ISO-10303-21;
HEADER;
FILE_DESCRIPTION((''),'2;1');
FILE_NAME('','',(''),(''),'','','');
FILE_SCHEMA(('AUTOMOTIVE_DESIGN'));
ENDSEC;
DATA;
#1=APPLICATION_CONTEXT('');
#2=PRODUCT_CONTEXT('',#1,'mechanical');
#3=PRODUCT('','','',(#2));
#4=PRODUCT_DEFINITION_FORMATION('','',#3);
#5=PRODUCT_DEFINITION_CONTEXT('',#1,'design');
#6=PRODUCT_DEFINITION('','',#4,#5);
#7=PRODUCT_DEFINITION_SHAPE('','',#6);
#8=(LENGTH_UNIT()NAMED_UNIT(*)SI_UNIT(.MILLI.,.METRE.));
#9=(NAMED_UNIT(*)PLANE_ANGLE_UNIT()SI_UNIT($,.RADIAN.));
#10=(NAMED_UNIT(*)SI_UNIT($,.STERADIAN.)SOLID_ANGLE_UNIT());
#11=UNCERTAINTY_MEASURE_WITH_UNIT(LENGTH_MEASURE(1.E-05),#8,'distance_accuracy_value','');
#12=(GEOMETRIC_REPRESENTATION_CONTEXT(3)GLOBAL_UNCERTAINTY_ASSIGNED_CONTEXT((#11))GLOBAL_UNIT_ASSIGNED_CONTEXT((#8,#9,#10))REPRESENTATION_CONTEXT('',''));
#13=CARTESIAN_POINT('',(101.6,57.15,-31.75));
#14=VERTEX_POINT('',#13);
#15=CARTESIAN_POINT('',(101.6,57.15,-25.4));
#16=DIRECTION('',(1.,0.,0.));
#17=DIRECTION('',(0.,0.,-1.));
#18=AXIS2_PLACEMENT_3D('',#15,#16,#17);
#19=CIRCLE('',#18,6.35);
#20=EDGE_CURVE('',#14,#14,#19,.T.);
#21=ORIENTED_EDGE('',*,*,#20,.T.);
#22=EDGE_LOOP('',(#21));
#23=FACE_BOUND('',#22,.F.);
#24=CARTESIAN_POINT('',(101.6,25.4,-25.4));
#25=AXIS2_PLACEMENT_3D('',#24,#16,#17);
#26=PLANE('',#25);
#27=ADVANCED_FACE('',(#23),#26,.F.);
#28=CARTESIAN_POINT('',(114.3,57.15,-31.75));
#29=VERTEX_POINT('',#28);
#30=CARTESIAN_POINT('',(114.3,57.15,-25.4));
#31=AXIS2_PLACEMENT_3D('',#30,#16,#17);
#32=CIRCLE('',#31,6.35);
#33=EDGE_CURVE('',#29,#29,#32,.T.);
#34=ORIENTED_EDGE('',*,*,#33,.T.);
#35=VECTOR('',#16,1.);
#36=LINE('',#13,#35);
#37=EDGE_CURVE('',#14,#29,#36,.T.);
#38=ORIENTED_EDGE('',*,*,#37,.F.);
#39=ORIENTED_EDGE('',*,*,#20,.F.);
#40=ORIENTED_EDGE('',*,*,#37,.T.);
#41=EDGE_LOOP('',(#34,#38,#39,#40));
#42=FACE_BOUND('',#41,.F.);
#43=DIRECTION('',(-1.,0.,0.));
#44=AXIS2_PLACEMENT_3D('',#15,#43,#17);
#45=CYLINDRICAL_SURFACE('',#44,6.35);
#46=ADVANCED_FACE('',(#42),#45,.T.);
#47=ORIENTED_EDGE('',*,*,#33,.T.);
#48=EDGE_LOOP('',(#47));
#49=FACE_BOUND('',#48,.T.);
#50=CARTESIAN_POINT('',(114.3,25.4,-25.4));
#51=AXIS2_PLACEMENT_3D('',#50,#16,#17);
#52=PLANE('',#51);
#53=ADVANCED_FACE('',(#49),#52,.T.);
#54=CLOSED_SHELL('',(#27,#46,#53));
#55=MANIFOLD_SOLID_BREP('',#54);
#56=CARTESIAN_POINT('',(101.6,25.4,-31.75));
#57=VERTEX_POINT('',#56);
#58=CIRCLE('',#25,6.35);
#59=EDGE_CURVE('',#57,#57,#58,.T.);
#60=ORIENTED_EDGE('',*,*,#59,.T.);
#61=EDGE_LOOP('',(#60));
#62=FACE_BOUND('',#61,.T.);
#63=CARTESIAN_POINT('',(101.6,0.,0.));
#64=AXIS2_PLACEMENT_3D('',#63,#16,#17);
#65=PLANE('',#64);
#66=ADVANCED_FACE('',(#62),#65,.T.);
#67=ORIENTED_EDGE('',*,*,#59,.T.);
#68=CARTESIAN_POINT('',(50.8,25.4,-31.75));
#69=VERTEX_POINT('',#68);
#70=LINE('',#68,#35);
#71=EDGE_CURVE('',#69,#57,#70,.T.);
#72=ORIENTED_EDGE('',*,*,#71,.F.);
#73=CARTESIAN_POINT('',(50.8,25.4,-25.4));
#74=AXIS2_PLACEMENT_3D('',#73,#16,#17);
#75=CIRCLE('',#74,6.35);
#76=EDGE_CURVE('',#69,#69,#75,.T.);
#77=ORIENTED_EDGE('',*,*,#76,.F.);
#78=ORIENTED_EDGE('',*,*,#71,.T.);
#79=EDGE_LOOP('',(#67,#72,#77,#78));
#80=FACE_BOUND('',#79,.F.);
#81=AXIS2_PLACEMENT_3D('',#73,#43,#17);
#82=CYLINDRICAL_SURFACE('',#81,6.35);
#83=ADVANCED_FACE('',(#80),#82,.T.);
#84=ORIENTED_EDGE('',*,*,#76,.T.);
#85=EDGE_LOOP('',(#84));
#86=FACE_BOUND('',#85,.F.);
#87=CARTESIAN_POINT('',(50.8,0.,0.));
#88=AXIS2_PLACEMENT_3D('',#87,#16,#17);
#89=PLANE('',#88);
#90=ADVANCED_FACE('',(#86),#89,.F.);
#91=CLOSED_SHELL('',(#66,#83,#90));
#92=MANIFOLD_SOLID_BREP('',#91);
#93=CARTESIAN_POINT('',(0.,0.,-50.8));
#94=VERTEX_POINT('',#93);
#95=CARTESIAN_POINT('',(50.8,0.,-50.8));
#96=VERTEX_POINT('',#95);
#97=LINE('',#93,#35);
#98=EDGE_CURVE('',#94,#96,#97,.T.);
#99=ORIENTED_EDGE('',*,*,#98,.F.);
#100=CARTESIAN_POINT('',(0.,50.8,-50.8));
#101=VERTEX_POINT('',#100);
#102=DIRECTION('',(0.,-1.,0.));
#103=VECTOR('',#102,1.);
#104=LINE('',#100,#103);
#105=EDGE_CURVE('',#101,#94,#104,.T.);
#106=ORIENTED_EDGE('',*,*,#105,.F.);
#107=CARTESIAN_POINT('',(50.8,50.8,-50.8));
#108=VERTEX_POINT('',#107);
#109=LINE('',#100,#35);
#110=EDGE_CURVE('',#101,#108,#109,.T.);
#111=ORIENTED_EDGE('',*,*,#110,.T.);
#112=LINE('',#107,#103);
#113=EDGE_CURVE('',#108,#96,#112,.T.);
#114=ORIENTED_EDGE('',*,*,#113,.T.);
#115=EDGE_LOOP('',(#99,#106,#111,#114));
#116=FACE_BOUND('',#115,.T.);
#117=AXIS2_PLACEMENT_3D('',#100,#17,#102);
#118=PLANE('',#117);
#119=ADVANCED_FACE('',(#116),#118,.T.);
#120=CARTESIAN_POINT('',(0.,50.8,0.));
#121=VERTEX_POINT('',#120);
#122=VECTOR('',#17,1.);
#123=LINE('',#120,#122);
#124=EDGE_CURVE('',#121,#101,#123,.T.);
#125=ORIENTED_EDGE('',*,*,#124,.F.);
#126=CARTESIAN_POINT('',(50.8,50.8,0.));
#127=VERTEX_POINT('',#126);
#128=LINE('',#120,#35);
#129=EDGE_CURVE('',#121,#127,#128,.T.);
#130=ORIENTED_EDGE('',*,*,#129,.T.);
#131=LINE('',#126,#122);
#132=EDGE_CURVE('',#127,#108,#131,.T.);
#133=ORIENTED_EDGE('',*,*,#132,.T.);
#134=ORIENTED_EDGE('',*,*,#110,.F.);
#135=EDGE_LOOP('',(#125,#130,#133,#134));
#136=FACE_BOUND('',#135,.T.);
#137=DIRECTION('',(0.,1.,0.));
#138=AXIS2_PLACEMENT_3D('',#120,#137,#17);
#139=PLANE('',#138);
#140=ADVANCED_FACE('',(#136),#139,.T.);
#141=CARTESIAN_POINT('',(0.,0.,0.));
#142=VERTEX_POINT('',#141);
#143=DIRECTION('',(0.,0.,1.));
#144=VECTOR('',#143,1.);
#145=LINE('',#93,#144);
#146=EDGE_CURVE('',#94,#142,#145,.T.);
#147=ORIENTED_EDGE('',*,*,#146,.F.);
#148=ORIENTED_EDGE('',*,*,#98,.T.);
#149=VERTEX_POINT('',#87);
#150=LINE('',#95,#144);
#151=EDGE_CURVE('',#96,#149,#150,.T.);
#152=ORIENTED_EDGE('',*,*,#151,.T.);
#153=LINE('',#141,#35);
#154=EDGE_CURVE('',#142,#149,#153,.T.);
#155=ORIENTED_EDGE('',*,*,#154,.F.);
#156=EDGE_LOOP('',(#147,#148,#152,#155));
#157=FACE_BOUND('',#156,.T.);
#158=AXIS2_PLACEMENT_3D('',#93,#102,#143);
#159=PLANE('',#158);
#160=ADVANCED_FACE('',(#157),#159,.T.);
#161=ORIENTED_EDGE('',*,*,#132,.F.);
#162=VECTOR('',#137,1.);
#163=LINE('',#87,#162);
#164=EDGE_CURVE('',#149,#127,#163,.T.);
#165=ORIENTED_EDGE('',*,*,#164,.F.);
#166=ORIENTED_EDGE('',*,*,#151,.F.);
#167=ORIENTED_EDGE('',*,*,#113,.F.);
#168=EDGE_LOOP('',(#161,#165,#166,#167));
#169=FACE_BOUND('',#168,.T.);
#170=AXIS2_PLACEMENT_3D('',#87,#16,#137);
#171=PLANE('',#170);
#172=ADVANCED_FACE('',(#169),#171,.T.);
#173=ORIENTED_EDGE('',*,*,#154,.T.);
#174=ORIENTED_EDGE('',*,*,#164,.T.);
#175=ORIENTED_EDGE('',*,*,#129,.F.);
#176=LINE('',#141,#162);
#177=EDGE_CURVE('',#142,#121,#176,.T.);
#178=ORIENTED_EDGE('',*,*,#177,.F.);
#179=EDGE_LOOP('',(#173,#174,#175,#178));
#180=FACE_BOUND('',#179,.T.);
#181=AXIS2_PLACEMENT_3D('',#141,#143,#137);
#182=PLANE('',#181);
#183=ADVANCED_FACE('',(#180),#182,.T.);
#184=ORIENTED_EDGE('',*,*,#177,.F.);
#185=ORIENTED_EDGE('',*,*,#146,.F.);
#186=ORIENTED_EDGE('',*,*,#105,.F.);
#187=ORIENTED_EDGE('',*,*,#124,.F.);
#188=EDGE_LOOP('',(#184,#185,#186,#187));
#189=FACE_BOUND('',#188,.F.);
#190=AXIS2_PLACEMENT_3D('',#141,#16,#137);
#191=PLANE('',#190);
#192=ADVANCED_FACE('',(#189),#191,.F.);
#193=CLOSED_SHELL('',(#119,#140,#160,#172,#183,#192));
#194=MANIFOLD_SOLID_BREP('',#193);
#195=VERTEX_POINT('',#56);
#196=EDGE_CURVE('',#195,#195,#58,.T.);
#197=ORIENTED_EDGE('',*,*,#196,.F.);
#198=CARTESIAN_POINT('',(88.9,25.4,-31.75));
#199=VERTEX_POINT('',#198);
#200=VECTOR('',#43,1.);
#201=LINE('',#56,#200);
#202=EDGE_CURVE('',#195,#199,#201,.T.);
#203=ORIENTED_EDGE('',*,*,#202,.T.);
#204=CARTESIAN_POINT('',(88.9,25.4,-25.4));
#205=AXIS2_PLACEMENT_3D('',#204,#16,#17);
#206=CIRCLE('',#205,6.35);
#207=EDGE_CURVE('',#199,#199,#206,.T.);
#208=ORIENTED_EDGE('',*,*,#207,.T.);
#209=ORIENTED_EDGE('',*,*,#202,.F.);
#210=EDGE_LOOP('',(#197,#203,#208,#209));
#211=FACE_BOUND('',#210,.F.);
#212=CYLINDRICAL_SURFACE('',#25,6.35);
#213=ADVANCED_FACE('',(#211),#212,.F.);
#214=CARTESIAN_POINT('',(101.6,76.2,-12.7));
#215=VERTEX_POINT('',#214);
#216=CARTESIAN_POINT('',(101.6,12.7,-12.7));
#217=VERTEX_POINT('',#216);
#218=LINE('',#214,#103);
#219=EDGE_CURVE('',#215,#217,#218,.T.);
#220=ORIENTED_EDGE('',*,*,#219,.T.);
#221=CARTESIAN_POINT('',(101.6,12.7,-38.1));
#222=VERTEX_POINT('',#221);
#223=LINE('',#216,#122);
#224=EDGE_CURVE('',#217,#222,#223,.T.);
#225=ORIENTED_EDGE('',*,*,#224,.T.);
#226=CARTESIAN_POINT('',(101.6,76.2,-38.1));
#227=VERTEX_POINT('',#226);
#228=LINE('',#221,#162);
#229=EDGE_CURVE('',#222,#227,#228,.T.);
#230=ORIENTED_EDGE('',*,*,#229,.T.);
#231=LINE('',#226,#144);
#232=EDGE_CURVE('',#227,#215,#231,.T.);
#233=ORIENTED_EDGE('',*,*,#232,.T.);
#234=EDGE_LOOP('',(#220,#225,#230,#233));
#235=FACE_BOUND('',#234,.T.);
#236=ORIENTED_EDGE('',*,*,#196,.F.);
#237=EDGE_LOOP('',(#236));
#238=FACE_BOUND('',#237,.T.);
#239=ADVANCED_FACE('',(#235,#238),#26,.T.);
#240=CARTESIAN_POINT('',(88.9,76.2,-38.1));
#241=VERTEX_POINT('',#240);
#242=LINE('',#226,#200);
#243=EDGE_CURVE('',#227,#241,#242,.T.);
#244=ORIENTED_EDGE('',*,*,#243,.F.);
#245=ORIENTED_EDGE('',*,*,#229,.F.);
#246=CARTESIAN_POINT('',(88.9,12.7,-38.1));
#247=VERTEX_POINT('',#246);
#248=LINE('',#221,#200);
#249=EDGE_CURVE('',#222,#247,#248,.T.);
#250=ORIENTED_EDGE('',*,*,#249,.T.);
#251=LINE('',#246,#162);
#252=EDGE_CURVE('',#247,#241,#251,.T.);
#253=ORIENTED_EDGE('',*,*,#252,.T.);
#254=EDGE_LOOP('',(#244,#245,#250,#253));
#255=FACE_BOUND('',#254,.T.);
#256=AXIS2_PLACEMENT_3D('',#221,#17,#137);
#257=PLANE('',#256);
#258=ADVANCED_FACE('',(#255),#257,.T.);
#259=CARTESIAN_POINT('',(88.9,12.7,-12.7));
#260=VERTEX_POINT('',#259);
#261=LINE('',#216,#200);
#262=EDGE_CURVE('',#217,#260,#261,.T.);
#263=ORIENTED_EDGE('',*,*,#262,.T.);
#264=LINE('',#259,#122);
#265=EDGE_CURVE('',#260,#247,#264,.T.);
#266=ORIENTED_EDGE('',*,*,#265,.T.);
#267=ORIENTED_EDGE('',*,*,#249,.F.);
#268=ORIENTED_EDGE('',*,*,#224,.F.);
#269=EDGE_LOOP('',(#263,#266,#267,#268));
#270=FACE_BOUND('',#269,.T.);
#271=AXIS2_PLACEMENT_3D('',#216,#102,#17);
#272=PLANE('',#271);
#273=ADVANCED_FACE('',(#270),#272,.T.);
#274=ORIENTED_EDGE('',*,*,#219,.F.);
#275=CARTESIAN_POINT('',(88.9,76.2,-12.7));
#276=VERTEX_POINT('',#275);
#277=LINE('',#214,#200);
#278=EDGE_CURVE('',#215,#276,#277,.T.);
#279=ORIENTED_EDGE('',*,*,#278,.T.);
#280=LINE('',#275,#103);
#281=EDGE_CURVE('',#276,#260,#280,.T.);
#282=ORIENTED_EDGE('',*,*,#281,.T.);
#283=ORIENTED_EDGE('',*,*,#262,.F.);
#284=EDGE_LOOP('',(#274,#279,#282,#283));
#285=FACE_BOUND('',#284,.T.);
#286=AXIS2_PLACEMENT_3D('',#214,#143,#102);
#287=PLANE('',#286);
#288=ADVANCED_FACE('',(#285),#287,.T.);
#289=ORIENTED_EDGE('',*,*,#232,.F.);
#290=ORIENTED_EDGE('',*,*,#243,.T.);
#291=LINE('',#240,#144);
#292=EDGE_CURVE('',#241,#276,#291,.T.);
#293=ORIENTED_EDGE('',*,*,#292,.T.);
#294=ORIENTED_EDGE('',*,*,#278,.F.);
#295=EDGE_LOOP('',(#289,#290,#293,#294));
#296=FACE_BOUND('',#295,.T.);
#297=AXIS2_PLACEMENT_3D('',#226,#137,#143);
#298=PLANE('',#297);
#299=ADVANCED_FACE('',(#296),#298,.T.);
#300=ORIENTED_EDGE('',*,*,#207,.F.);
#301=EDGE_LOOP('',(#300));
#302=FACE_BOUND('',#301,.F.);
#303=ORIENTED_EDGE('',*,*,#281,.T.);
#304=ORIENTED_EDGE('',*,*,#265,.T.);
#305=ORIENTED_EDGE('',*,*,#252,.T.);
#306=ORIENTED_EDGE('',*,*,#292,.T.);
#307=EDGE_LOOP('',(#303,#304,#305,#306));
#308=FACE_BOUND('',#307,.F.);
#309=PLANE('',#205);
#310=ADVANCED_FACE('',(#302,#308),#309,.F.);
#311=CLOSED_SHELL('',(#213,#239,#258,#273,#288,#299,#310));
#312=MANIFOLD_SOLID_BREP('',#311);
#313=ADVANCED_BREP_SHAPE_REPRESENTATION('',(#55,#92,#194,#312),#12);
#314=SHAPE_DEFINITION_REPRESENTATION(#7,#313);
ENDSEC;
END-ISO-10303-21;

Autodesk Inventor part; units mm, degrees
ref_plane "YZ Plane" through (0, 0, 0) normal (1, 0, 0) x (0, 1, 0)
ref_plane "XZ Plane" through (0, 0, 0) normal (0, 1, 0) x (-1, 0, 0)
ref_plane "XY Plane" through (0, 0, 0) normal (0, 0, 1) x (1, 0, 0)
sketch "Sketch1" plane through (0, 0, 0) normal (1, 0, 0) x (0, 1, 0)
  line L0 (0, 0) -> (50.8, 0)
  line L1 (50.8, 0) -> (50.8, -50.8)
  line L2 (50.8, -50.8) -> (0, -50.8)
  line L3 (0, -50.8) -> (0, 0)
  dimension "d0" = 50.8
  dimension "d1" = 50.8
extrude "Extrusion1" add sketch "Sketch1" along normal blind 50.8
sketch "Sketch2" plane through (50.8, 0, 0) normal (1, 0, 0) x (0, 0, -1)
  circle A0 centre (25.4, 25.4) radius 6.35
  line L0 (0, 50.8) -> (0, 0) projected
  line L1 (0, 0) -> (50.8, 0) projected
  dimension "d4" = 12.7
  dimension "d5" = 25.4
  dimension "d6" = 25.4
extrude "Extrusion2" add sketch "Sketch2" along normal blind 50.8 separate body
sketch "Sketch3" plane through (101.6, 25.4, -25.4) normal (1, 0, 0) x (0, 0, -1)
  line L0 (-12.7, -12.7) -> (12.7, -12.7)
  line L1 (12.7, -12.7) -> (12.7, 50.8)
  line L2 (12.7, 50.8) -> (-12.7, 50.8)
  line L3 (-12.7, 50.8) -> (-12.7, -12.7)
  circle A0 centre (0, 0) radius 6.35 projected
  point P0 (-25.4, -25.4)
  dimension "d9" = 25.4
  dimension "d10" = 63.5
  dimension "d11" = 12.7
  dimension "d12" = 12.7
  dimension "d16" = 12.7
extrude "Extrusion3" add sketch "Sketch3" against normal blind 12.7 separate body
sketch "Sketch5" plane through (101.6, 25.4, -25.4) normal (1, 0, 0) x (0, 0, -1)
  circle A0 centre (0, 31.75) radius 6.35
  line L0 (12.7, 50.8) -> (-12.7, 50.8) projected
  line L1 (-12.7, 50.8) -> (-12.7, -12.7) projected
  point P0 (-25.4, -25.4)
  dimension "d20" = 12.7
  dimension "d21" = 25.4
  dimension "d22" = 12.7
  dimension "d23" = 19.05
extrude "Extrusion6" add sketch "Sketch5" along normal blind 12.7 separate body
equation "\"d22\" = 0.5 * d21"
properties part number "SkeletalStuff"
